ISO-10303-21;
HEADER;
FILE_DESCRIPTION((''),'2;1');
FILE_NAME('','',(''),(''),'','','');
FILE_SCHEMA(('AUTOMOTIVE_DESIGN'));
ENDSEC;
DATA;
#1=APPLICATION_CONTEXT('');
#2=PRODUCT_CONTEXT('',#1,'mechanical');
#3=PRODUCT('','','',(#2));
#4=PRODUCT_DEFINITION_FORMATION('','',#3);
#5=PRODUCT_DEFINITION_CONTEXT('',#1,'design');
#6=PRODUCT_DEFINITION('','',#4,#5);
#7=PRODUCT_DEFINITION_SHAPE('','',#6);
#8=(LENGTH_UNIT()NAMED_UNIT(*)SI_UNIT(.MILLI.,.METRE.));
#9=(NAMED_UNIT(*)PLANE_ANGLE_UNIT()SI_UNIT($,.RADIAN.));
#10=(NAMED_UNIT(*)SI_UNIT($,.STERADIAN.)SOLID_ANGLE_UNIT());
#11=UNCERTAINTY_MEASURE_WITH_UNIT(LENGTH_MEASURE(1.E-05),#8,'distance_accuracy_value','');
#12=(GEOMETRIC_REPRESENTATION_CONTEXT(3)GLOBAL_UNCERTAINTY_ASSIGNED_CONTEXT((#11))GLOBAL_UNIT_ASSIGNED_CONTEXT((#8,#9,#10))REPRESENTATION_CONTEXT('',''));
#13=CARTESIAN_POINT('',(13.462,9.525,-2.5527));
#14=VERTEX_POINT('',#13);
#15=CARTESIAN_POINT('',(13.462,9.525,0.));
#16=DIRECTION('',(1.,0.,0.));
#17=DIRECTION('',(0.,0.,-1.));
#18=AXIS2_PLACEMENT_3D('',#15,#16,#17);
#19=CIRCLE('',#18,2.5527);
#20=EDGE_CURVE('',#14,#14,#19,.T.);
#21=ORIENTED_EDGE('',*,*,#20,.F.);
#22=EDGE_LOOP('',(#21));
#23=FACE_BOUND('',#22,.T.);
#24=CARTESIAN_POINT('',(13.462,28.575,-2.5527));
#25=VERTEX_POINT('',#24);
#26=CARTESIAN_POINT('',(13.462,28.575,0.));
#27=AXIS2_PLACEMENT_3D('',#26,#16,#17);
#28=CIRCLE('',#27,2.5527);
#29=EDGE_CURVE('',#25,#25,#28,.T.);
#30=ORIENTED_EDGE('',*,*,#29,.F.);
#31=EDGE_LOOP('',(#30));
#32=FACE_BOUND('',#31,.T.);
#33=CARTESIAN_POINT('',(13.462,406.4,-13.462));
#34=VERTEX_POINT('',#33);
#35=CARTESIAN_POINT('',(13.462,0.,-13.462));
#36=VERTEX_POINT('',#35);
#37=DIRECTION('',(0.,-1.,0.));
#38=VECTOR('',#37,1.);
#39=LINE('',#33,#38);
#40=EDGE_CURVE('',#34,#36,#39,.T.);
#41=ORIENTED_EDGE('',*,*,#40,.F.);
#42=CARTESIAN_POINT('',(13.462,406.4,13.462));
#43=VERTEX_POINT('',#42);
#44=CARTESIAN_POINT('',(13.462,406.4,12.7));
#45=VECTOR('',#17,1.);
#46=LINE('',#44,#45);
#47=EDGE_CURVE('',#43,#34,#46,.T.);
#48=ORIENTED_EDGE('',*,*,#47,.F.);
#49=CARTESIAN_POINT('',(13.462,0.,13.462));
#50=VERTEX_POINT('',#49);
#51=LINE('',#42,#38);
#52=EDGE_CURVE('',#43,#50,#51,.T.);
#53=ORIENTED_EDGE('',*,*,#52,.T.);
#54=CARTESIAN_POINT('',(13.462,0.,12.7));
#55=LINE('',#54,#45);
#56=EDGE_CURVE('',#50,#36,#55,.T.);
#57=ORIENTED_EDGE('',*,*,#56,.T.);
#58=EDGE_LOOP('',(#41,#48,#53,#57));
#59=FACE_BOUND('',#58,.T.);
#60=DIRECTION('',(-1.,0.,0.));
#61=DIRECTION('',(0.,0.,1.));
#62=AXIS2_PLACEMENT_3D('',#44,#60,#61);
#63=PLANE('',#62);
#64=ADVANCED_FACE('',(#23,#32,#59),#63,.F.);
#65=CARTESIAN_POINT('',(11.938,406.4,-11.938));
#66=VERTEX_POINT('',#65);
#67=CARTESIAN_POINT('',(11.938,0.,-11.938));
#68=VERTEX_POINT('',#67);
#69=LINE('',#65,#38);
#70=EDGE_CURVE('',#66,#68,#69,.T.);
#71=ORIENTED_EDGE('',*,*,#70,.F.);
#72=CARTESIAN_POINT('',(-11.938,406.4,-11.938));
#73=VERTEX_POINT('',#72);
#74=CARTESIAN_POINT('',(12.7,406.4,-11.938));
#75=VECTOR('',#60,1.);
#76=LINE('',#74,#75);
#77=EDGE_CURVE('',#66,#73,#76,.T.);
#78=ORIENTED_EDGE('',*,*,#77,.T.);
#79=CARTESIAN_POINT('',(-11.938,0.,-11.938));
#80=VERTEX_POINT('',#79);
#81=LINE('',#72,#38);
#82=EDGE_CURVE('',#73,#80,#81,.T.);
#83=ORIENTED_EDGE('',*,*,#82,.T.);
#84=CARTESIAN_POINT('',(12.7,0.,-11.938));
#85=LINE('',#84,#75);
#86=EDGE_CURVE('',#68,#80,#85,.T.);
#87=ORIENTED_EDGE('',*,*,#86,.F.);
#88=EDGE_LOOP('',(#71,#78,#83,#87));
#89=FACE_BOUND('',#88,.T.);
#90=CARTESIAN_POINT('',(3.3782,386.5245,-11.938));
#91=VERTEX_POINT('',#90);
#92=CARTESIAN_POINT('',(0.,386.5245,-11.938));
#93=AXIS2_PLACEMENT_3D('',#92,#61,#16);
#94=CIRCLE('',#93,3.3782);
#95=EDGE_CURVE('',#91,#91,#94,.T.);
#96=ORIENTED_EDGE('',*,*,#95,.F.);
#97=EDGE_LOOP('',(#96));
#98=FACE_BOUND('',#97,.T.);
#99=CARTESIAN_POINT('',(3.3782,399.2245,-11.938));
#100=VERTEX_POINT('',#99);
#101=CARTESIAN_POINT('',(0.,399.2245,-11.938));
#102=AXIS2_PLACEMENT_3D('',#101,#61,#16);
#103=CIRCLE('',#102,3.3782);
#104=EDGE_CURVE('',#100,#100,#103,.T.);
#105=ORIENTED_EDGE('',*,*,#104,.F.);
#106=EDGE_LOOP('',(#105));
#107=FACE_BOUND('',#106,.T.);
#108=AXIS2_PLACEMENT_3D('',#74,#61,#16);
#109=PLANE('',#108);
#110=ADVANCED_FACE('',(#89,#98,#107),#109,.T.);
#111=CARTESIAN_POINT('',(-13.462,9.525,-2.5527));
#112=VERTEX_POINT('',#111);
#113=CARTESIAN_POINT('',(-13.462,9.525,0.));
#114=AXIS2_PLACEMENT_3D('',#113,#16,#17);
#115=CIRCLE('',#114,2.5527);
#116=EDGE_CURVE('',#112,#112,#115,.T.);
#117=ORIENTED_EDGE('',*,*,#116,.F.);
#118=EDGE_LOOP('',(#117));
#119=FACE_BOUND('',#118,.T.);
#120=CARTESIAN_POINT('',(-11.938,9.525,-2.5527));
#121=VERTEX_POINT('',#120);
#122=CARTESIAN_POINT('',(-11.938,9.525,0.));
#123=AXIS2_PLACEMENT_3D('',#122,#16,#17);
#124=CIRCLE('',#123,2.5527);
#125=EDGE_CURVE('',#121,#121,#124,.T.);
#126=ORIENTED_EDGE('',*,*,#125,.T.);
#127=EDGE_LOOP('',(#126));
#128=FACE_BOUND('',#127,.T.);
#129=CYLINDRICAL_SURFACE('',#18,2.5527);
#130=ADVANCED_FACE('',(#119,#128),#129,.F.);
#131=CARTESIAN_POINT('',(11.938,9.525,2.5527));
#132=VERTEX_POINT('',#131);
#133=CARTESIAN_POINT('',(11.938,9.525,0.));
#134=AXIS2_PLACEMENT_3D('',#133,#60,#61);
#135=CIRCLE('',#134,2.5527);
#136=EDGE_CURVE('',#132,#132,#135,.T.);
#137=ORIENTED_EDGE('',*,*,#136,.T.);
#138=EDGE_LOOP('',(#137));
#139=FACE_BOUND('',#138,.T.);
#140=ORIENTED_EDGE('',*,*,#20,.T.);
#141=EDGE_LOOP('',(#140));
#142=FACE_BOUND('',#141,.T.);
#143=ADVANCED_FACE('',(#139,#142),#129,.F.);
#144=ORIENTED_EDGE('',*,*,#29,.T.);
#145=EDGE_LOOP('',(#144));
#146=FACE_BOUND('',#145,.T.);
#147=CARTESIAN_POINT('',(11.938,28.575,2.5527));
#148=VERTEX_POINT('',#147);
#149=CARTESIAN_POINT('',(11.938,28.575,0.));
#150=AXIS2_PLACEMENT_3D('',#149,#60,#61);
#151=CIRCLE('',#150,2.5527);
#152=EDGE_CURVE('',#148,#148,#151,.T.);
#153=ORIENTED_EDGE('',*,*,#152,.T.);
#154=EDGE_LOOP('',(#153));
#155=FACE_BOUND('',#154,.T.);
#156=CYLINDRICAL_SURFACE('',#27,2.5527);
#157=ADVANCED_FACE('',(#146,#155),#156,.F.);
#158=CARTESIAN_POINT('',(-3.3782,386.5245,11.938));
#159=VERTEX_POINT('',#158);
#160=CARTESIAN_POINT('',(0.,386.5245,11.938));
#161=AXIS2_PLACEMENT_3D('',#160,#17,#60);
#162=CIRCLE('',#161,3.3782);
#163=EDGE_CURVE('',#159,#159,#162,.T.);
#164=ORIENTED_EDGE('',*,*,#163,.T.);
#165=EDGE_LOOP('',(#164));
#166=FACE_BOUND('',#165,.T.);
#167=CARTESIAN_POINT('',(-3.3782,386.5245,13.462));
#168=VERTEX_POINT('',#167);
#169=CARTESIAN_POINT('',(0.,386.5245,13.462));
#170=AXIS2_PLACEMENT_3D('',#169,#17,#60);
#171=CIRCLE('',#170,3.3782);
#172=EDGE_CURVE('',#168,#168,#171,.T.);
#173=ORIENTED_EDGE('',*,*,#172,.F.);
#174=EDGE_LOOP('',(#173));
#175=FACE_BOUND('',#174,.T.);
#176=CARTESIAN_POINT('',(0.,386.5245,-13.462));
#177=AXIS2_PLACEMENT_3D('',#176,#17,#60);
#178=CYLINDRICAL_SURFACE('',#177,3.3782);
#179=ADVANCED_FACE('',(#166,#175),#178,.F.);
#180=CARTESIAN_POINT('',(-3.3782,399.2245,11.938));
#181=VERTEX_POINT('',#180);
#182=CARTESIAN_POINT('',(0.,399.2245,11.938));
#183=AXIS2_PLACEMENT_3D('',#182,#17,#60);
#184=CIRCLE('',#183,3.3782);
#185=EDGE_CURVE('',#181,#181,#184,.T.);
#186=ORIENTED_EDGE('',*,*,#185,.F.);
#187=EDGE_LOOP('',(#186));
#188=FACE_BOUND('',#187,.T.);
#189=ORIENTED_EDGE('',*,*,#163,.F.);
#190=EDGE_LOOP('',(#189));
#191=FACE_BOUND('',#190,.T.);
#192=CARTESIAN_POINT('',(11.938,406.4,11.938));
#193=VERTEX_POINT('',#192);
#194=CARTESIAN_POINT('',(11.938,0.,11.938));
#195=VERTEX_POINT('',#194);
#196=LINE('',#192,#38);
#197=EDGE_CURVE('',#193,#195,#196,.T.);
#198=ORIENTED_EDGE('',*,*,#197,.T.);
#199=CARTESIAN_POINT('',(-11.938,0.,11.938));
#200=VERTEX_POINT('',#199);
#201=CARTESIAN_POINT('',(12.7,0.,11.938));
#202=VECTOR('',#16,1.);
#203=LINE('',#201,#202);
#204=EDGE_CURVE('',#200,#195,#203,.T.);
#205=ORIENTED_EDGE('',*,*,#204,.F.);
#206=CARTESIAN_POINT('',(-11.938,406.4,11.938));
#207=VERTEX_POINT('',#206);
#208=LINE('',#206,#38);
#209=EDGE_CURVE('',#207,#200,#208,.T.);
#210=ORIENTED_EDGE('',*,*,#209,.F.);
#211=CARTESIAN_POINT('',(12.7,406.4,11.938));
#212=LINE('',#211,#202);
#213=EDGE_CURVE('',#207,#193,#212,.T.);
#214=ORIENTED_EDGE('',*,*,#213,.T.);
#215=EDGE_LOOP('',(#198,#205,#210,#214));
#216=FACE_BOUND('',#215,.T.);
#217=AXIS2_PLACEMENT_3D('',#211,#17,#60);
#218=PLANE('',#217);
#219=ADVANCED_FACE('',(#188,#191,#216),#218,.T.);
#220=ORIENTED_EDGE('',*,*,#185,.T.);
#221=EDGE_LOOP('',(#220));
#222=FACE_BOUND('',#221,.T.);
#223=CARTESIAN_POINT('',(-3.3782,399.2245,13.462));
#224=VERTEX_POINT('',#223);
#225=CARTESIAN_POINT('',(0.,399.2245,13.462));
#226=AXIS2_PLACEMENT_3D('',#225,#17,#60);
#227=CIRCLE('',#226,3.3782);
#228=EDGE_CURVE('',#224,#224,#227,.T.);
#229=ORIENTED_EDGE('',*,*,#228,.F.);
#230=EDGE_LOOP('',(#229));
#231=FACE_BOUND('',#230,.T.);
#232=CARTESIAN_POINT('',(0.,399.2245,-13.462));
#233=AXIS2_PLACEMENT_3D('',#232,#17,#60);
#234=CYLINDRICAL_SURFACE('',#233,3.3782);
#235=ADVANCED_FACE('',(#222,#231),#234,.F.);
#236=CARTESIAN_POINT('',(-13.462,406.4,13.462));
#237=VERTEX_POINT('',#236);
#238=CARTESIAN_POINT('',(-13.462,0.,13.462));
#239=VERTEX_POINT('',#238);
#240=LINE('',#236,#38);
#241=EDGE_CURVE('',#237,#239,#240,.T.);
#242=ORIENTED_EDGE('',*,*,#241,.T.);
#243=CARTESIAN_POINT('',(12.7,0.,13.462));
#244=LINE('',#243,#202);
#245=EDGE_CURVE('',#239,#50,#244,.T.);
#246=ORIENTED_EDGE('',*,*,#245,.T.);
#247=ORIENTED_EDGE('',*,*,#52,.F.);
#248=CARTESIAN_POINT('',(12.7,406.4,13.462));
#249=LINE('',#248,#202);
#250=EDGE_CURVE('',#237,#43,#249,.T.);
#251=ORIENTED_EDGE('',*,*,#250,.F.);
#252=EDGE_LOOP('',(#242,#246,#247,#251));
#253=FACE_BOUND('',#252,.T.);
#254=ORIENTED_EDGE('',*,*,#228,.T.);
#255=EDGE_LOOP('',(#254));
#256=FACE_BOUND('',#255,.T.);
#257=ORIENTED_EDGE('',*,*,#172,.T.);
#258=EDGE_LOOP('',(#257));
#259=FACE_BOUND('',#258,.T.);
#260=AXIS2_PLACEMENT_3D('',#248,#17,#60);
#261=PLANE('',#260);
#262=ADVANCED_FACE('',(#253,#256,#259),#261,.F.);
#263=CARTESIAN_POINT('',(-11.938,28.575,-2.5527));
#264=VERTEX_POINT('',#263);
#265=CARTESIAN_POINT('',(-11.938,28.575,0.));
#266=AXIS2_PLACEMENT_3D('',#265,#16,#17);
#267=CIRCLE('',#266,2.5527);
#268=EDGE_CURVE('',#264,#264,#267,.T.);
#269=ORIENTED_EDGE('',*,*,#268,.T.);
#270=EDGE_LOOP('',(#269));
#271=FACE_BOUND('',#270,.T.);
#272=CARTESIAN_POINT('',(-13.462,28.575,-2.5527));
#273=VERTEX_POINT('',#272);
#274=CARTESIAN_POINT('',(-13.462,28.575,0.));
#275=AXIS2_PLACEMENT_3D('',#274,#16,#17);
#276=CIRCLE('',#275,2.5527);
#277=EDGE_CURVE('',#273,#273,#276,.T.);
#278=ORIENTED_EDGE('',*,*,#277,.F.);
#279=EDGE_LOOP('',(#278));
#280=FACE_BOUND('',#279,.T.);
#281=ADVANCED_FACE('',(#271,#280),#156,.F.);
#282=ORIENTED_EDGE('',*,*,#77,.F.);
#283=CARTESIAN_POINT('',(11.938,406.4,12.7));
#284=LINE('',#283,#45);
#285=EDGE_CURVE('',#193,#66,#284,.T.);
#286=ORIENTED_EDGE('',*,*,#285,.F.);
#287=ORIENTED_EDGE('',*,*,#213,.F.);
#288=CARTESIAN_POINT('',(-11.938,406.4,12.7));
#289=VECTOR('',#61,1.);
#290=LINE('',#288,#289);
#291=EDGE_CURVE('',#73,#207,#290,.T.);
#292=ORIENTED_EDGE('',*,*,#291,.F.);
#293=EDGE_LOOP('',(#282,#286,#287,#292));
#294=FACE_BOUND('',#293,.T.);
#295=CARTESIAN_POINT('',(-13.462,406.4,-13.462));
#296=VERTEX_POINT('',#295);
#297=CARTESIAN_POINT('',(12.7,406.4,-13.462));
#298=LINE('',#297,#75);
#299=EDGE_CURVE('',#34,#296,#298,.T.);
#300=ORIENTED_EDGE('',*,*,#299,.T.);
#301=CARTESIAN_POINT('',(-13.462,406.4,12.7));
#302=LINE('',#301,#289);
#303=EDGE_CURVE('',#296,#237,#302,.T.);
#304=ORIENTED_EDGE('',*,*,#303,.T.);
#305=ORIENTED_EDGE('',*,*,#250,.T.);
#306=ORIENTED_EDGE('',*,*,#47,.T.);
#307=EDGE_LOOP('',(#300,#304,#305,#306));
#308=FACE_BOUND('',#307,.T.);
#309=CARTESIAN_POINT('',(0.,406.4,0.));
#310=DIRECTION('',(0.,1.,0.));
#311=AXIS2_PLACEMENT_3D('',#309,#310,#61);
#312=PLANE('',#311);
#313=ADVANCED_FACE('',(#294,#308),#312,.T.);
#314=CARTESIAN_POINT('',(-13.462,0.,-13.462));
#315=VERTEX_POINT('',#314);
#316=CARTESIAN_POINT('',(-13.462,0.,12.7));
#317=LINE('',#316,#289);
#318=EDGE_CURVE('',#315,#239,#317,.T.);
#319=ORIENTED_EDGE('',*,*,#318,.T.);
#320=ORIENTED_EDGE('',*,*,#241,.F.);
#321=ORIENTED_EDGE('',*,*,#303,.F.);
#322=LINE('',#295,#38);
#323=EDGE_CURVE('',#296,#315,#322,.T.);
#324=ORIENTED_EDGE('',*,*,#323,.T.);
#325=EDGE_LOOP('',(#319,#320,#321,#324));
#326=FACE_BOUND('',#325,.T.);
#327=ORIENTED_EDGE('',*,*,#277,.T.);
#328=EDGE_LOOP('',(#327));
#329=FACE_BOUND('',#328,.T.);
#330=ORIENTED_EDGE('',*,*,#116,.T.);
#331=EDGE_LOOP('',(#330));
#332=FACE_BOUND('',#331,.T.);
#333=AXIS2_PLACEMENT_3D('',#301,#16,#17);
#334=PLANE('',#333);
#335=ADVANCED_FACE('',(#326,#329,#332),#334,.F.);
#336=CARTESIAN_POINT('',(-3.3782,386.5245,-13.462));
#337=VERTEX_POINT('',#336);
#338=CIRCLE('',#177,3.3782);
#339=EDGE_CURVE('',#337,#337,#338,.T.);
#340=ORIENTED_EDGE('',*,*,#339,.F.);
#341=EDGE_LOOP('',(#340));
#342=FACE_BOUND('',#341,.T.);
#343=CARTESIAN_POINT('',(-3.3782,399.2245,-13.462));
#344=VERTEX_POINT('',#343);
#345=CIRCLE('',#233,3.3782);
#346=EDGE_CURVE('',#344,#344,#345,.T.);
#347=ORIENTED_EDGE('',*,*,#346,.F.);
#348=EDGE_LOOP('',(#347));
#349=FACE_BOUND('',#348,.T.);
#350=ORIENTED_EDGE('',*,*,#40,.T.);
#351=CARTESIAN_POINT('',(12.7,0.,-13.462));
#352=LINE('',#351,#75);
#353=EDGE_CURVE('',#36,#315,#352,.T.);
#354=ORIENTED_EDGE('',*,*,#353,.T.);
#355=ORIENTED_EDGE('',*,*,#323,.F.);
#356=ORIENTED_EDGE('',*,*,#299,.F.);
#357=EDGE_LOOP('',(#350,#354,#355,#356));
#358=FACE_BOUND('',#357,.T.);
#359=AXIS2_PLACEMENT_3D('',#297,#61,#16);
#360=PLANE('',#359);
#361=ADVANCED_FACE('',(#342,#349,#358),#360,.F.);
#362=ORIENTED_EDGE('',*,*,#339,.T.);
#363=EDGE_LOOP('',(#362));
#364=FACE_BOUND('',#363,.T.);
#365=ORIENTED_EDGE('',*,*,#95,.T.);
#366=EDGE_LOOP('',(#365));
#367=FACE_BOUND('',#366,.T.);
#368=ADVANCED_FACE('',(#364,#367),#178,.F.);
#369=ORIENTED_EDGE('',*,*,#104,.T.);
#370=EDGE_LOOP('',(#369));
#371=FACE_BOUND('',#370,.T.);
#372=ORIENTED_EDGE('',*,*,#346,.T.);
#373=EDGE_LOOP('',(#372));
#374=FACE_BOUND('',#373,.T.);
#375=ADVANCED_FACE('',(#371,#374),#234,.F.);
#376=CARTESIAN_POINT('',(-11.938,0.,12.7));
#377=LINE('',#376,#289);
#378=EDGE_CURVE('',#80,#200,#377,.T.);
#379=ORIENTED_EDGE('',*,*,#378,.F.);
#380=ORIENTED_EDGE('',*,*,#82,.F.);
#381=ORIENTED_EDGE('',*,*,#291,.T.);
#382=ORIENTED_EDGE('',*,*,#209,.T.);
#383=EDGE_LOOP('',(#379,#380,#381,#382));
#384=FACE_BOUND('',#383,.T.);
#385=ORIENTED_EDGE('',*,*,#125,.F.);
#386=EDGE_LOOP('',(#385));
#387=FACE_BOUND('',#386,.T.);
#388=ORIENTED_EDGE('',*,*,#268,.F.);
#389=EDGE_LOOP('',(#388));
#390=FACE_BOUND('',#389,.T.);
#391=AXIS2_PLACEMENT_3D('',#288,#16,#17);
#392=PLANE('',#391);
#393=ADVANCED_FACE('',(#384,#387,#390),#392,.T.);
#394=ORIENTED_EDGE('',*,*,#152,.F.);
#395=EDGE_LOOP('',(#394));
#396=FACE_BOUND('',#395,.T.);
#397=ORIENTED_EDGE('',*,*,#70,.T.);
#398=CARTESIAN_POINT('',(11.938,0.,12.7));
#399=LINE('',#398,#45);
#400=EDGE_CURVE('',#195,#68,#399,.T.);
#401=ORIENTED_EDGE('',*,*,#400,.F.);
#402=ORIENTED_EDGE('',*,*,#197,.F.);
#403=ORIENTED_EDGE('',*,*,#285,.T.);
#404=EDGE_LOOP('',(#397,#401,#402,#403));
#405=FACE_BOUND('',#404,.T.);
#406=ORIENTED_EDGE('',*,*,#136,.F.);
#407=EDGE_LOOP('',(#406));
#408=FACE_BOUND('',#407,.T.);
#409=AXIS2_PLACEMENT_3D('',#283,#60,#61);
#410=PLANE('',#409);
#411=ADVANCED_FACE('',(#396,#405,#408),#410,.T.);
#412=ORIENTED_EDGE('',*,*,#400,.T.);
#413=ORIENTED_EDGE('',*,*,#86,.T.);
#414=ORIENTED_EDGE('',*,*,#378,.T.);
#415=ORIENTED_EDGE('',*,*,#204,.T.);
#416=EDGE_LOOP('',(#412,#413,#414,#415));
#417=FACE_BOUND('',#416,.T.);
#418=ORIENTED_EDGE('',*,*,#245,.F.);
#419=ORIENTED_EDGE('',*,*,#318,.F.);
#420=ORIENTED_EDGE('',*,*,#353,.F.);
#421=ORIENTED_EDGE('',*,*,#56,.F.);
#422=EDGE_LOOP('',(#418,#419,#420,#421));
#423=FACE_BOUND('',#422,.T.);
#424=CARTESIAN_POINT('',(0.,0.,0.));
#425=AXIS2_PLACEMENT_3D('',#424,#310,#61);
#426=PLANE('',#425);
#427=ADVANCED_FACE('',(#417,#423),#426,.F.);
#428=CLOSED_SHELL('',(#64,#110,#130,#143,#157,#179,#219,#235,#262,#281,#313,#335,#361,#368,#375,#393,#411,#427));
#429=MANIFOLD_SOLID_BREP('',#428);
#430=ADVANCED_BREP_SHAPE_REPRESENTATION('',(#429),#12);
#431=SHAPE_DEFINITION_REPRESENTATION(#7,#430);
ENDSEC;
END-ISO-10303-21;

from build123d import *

# Parameters (mm, degrees)
SKETCH1_W               = 26.924
SKETCH1_H               = 26.924
SKETCH1_W_2             = 23.876
SKETCH1_H_2             = 23.876
EXTRUDE_THIN1_DEPTH     = 406.4
F_1_4_CLEARANCE_HOLE1_D = 6.7564
F_10_CLEARANCE_HOLE1_D  = 5.1054


with BuildPart() as part:
    # Sketch1 → Extrude-Thin1 (new body)
    with BuildSketch(Plane(origin=(0, 0, 0), x_dir=(1, 0, 0), z_dir=(0, 1, 0))):
        Rectangle(SKETCH1_W, SKETCH1_H)
        Rectangle(SKETCH1_W_2, SKETCH1_H_2, mode=Mode.SUBTRACT)
    extrude(amount=EXTRUDE_THIN1_DEPTH)

    # 1/4 Clearance Hole1 (through all)
    with Locations(Plane(origin=(0, 0, -13.462), x_dir=(-1, 0, 0), z_dir=(0, 0, -1))):
        with Locations((0, 399.2245), (0, 386.5245)):
            Hole(F_1_4_CLEARANCE_HOLE1_D / 2)

    # #10 Clearance Hole1 (through all)
    with Locations(Plane(origin=(13.462, 0, 0), x_dir=(0, 0, -1), z_dir=(1, 0, 0))):
        with Locations((0, 9.525), (0, 28.575)):
            Hole(F_10_CLEARANCE_HOLE1_D / 2)


solid = part.part
